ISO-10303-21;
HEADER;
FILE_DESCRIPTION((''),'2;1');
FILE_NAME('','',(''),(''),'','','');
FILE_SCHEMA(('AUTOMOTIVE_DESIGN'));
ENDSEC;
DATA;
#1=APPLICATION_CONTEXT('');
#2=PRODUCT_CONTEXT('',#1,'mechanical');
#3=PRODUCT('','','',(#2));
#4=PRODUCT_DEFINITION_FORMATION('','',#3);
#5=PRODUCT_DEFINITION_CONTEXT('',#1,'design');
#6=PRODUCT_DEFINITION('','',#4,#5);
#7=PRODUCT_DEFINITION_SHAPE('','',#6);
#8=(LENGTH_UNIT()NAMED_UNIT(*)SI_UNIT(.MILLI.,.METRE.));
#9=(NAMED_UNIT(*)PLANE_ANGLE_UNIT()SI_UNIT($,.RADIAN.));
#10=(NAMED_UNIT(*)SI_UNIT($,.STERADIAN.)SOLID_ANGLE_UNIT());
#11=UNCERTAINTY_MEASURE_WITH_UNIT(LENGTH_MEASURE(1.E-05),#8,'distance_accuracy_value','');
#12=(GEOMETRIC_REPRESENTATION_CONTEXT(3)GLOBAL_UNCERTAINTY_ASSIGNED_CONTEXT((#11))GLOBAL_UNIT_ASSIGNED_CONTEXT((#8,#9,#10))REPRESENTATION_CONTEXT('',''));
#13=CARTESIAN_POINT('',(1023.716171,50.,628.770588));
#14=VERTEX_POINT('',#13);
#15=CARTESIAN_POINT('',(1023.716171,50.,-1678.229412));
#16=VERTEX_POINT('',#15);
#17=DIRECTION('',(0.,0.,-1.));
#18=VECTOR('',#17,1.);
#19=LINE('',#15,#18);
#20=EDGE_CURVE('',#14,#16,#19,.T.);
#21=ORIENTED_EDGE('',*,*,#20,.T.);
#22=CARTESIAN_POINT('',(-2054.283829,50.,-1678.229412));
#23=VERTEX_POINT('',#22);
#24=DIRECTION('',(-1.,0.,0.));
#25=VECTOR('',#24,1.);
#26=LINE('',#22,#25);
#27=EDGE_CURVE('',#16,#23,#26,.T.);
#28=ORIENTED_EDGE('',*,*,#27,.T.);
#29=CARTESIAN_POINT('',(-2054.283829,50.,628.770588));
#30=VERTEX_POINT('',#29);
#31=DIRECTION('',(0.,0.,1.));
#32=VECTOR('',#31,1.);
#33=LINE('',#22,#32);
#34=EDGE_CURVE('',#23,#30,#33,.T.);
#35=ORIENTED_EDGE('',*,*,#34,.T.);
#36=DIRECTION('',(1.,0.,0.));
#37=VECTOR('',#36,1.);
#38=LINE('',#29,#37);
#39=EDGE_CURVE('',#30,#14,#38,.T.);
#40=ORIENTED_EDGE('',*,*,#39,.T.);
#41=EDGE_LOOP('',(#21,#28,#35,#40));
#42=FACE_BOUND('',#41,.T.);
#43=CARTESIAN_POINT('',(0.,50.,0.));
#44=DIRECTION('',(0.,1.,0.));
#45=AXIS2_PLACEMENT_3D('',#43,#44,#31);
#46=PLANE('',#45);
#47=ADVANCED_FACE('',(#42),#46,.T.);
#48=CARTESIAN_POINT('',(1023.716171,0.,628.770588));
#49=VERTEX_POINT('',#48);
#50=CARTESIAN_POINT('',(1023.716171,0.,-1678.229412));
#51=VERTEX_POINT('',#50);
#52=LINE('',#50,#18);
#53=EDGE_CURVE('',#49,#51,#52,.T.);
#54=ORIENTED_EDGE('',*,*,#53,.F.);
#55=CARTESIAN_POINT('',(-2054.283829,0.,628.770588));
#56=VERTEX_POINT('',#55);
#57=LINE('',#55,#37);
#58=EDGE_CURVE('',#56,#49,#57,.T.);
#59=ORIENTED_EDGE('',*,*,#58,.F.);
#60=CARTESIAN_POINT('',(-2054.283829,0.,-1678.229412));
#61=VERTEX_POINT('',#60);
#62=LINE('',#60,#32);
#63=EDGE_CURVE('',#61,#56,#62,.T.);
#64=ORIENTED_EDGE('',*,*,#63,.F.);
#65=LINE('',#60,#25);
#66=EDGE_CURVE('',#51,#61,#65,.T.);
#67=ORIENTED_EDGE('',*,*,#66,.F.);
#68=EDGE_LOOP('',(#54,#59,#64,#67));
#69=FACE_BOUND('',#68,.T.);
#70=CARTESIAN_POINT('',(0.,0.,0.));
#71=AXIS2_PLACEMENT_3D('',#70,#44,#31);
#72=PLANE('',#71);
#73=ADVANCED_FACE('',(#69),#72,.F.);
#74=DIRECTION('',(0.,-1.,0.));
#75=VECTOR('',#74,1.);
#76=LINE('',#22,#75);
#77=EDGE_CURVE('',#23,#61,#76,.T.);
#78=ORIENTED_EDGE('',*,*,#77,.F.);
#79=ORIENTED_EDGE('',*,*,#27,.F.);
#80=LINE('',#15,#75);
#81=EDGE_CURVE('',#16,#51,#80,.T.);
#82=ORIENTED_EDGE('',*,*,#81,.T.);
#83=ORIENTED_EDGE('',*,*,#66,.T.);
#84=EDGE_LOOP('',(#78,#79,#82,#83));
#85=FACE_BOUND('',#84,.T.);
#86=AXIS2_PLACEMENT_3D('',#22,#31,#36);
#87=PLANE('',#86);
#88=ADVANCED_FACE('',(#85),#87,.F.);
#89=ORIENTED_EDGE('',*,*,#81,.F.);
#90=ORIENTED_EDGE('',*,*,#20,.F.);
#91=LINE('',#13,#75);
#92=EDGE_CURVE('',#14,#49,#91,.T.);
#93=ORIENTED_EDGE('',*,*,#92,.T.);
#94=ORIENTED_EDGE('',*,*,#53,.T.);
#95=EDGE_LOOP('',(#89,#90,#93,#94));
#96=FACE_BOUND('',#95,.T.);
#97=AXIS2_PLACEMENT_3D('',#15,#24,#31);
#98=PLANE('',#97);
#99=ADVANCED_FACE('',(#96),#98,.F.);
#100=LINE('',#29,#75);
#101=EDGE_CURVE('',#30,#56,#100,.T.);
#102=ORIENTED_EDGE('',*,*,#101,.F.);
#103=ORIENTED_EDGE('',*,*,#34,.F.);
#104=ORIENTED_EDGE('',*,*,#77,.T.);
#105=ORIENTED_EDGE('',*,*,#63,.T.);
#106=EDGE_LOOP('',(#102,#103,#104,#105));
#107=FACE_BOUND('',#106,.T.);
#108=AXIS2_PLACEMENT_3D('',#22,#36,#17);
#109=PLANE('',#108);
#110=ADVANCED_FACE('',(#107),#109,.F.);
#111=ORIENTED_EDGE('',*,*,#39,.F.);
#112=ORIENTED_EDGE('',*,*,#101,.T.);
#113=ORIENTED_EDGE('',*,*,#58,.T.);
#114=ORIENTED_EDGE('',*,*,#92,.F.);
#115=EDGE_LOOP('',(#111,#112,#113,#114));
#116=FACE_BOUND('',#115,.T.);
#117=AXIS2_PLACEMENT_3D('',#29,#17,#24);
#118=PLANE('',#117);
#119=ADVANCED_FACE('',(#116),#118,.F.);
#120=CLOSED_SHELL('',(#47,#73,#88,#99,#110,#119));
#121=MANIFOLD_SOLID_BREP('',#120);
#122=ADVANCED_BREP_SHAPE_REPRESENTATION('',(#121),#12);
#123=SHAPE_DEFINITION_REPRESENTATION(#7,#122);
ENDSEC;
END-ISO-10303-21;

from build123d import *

# Parameters (mm, degrees)
SKETCH1_W           = 3078
SKETCH1_H           = 2307
BOSS_EXTRUDE1_DEPTH = 50


with BuildPart() as part:
    # Sketch1 → Boss-Extrude1 (new body)
    with BuildSketch(Plane(origin=(0, 0, 0), x_dir=(1, 0, 0), z_dir=(0, 1, 0))):
        with Locations((-515.283829315, 524.729411765)):
            Rectangle(SKETCH1_W, SKETCH1_H)
    extrude(amount=BOSS_EXTRUDE1_DEPTH)


solid = part.part
